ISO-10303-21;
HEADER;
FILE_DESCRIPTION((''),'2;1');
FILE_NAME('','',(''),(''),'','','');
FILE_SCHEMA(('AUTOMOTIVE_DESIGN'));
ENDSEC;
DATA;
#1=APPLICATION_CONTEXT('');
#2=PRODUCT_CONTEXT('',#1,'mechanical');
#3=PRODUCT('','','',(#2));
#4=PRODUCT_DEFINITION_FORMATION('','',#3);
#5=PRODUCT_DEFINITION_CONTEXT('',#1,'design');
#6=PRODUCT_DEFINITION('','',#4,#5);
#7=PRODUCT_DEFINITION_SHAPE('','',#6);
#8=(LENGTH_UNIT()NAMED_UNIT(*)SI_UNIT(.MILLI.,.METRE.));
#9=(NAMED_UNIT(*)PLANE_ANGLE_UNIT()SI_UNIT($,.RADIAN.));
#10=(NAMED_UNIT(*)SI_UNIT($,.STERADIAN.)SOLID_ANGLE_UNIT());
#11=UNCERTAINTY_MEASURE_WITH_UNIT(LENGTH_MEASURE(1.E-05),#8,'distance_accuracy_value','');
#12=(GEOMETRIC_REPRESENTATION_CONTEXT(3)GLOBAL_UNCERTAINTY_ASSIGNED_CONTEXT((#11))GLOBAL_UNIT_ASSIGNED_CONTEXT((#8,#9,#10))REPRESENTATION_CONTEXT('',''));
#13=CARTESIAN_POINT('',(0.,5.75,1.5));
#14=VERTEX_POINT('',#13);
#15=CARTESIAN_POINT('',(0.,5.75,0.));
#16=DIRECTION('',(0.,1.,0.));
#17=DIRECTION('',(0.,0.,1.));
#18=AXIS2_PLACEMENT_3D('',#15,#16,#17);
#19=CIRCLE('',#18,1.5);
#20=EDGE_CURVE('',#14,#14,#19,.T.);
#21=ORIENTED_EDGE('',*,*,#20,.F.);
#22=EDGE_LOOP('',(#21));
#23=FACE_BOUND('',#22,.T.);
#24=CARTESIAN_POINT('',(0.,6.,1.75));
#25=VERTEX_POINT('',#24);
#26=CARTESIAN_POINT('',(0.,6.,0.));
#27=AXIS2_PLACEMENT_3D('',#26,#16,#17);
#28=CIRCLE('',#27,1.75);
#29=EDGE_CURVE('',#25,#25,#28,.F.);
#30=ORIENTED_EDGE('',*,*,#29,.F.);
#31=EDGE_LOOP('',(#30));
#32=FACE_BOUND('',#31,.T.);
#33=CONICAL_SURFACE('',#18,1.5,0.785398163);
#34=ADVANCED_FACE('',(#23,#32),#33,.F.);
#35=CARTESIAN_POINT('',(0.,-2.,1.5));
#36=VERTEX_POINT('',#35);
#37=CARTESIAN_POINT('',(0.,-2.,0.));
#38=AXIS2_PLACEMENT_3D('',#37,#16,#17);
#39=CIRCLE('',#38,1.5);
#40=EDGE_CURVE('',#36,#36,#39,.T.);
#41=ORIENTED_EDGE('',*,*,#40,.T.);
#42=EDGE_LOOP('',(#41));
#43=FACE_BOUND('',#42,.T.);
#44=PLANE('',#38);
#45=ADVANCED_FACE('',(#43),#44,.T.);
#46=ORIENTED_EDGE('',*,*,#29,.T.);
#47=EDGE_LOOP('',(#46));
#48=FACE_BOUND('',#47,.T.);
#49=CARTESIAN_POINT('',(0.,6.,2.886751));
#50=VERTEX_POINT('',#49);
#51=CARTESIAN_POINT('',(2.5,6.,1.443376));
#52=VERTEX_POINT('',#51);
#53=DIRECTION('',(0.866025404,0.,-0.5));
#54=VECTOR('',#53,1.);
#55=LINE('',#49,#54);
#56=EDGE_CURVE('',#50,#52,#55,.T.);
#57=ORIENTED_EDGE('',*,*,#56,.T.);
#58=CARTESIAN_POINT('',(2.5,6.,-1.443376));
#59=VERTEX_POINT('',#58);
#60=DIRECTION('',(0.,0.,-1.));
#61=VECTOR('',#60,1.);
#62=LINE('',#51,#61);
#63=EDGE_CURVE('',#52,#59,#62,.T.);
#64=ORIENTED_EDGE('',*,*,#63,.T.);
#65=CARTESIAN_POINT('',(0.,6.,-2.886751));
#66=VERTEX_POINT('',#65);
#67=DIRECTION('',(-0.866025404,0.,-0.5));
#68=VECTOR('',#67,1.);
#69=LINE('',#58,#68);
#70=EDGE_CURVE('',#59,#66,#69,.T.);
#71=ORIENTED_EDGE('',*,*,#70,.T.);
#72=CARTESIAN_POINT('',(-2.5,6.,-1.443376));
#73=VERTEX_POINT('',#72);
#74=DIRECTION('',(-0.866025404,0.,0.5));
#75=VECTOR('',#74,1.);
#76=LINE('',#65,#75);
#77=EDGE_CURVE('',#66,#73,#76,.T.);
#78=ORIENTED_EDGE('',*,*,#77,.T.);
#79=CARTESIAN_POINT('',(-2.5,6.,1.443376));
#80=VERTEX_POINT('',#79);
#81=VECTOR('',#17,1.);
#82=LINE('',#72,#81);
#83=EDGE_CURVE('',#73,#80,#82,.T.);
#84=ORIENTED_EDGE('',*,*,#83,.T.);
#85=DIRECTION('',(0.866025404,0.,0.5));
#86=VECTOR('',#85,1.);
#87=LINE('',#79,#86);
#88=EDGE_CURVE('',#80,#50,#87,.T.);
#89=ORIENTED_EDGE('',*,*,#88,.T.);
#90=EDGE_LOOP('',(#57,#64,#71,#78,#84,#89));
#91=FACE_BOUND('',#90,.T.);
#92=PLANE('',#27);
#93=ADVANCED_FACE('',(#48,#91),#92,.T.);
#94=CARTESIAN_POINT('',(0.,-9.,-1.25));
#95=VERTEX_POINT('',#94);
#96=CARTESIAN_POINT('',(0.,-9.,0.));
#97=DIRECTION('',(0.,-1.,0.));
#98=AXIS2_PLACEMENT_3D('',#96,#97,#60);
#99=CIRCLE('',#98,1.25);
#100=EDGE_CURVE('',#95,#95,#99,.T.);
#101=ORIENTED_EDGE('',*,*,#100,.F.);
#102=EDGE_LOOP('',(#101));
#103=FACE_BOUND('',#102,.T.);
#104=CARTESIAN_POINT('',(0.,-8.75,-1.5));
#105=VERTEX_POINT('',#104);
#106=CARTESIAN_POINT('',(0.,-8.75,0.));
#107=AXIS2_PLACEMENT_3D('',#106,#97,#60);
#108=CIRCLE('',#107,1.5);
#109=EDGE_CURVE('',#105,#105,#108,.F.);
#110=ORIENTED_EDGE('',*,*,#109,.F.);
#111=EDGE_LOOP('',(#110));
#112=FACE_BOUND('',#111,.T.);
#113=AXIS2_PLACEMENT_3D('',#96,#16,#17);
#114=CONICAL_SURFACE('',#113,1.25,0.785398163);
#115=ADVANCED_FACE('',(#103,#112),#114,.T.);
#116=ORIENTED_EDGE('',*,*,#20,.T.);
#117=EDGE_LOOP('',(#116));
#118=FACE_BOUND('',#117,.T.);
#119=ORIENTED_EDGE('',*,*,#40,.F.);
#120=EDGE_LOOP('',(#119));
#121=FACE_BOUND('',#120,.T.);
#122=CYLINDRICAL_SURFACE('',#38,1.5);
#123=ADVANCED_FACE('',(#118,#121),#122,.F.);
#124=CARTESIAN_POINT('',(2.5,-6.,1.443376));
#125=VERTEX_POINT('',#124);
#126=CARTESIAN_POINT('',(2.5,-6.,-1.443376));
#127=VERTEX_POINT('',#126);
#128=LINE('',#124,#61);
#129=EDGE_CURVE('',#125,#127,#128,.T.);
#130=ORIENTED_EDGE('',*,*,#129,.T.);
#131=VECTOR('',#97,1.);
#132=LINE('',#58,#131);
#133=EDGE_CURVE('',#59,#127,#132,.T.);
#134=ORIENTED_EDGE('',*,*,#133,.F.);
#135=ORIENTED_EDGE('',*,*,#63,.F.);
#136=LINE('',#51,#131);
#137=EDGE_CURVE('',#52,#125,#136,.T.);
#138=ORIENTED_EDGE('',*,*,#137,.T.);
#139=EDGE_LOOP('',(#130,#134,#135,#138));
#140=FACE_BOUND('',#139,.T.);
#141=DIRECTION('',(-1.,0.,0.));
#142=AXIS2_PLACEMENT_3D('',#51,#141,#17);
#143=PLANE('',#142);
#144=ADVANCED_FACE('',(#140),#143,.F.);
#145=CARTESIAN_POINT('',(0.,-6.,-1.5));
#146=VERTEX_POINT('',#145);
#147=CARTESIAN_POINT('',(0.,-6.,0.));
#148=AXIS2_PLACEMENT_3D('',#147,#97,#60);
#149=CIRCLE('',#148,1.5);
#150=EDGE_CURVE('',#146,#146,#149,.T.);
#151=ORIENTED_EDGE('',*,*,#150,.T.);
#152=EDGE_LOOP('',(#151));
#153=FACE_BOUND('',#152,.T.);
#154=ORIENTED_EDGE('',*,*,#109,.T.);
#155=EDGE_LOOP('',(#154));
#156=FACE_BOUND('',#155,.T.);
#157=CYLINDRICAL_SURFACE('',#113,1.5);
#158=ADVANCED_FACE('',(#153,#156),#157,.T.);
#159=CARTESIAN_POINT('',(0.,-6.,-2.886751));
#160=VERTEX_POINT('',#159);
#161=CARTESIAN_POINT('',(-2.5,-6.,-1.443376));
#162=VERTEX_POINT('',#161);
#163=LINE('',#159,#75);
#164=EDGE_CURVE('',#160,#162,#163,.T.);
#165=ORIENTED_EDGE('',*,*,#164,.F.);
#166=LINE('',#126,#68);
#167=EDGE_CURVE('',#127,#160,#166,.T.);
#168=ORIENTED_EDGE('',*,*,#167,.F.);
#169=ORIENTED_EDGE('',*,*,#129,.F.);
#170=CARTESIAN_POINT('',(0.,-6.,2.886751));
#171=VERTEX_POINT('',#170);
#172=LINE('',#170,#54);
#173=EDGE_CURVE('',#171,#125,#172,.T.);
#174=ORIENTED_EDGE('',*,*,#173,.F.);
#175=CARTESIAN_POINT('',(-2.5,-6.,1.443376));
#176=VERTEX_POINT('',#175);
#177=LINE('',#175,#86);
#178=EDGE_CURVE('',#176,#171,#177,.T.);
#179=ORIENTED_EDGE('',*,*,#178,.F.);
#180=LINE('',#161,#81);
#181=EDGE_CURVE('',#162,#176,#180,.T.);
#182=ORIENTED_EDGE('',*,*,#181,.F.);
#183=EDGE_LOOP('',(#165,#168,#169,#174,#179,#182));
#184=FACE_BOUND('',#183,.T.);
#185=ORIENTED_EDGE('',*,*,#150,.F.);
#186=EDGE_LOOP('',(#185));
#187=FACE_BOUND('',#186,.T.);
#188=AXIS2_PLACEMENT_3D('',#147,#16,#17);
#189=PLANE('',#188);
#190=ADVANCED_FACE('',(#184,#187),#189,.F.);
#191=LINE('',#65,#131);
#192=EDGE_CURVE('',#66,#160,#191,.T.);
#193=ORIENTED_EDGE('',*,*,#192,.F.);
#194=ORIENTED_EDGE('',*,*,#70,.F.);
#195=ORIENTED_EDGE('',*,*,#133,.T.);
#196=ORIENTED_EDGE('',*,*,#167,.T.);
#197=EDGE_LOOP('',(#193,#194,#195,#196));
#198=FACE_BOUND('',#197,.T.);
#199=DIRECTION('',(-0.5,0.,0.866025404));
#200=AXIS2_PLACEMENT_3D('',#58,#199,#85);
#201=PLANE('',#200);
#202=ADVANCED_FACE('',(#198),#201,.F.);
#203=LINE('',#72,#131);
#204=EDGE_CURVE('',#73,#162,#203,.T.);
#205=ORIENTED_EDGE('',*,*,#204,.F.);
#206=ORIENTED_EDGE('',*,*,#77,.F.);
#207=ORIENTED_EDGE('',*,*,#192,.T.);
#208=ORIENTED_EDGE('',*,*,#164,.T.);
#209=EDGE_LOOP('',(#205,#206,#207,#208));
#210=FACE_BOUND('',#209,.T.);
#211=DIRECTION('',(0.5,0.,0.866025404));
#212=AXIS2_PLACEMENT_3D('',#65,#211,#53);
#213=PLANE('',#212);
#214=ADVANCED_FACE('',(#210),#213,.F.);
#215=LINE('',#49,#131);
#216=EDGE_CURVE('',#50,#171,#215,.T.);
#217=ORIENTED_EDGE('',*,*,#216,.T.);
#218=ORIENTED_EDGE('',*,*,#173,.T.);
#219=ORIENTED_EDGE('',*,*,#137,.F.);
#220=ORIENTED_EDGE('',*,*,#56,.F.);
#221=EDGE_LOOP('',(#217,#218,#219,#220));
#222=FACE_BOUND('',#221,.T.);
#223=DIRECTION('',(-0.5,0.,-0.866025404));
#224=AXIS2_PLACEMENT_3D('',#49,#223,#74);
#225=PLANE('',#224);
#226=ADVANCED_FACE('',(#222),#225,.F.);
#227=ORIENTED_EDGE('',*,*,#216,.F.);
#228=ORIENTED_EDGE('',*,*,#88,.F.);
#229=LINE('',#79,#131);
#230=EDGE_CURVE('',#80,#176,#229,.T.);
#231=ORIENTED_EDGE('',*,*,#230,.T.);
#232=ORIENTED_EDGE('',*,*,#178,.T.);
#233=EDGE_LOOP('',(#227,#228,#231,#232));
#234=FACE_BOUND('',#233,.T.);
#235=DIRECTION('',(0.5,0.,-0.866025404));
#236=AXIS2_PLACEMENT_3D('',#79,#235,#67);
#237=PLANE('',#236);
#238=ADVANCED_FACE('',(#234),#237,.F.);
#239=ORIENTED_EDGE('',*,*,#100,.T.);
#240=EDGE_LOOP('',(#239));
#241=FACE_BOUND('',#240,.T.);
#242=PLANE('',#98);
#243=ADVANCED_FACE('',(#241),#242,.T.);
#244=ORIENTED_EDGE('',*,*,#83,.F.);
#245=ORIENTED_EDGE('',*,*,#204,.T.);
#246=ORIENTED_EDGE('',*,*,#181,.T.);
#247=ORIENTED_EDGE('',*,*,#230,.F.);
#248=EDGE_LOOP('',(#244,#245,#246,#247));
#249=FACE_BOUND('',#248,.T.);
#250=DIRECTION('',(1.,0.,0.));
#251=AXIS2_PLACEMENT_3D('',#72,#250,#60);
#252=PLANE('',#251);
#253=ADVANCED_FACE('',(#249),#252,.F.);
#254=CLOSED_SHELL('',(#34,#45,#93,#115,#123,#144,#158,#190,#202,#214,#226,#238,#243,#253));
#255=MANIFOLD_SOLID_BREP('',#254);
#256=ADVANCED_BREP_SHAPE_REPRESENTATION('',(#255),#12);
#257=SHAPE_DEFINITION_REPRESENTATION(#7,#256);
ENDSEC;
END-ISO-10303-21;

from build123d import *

# Parameters (mm, degrees)
BOSS_EXTRUDE1_DEPTH = 6
SKETCH2_R           = 1.5
CUT_EXTRUDE1_DEPTH  = 8
SKETCH3_R           = 1.5
BOSS_EXTRUDE2_DEPTH = 3
CHAMFER2_SIZE       = 0.25


with BuildPart() as part:
    # Sketch1 → Boss-Extrude1 (new, symmetric)
    with BuildSketch(Plane(origin=(0, 0, 0), x_dir=(1, 0, 0), z_dir=(0, 1, 0))):
        Polygon((0, 2.886751346), (-2.5, 1.443375673), (-2.5, -1.443375673), (0, -2.886751346), (2.5, -1.443375673), (2.5, 1.443375673), align=None)
    extrude(amount=BOSS_EXTRUDE1_DEPTH, both=True)

    # Sketch2 → Cut-Extrude1 (cut)
    with BuildSketch(Plane(origin=(0, 6, 0), x_dir=(1, 0, 0), z_dir=(0, 1, 0))):
        with Locations(Location((0, 0, 0), (0, 0, 270))):
            Circle(SKETCH2_R)
    extrude(amount=-CUT_EXTRUDE1_DEPTH, mode=Mode.SUBTRACT)

    # Sketch3 → Boss-Extrude2 (add)
    with BuildSketch(Plane.XZ.offset(6)):
        with Locations(Location((0, 0, 0), (0, 0, 90))):
            Circle(SKETCH3_R)
    extrude(amount=BOSS_EXTRUDE2_DEPTH)

    # Chamfer2
    chamfer2_edges = [part.edges().sort_by_distance(p)[0] for p in [
        (0, 6, -1.5),
        (0, -9, -1.5),
    ]]
    chamfer(chamfer2_edges, length=CHAMFER2_SIZE)


solid = part.part
